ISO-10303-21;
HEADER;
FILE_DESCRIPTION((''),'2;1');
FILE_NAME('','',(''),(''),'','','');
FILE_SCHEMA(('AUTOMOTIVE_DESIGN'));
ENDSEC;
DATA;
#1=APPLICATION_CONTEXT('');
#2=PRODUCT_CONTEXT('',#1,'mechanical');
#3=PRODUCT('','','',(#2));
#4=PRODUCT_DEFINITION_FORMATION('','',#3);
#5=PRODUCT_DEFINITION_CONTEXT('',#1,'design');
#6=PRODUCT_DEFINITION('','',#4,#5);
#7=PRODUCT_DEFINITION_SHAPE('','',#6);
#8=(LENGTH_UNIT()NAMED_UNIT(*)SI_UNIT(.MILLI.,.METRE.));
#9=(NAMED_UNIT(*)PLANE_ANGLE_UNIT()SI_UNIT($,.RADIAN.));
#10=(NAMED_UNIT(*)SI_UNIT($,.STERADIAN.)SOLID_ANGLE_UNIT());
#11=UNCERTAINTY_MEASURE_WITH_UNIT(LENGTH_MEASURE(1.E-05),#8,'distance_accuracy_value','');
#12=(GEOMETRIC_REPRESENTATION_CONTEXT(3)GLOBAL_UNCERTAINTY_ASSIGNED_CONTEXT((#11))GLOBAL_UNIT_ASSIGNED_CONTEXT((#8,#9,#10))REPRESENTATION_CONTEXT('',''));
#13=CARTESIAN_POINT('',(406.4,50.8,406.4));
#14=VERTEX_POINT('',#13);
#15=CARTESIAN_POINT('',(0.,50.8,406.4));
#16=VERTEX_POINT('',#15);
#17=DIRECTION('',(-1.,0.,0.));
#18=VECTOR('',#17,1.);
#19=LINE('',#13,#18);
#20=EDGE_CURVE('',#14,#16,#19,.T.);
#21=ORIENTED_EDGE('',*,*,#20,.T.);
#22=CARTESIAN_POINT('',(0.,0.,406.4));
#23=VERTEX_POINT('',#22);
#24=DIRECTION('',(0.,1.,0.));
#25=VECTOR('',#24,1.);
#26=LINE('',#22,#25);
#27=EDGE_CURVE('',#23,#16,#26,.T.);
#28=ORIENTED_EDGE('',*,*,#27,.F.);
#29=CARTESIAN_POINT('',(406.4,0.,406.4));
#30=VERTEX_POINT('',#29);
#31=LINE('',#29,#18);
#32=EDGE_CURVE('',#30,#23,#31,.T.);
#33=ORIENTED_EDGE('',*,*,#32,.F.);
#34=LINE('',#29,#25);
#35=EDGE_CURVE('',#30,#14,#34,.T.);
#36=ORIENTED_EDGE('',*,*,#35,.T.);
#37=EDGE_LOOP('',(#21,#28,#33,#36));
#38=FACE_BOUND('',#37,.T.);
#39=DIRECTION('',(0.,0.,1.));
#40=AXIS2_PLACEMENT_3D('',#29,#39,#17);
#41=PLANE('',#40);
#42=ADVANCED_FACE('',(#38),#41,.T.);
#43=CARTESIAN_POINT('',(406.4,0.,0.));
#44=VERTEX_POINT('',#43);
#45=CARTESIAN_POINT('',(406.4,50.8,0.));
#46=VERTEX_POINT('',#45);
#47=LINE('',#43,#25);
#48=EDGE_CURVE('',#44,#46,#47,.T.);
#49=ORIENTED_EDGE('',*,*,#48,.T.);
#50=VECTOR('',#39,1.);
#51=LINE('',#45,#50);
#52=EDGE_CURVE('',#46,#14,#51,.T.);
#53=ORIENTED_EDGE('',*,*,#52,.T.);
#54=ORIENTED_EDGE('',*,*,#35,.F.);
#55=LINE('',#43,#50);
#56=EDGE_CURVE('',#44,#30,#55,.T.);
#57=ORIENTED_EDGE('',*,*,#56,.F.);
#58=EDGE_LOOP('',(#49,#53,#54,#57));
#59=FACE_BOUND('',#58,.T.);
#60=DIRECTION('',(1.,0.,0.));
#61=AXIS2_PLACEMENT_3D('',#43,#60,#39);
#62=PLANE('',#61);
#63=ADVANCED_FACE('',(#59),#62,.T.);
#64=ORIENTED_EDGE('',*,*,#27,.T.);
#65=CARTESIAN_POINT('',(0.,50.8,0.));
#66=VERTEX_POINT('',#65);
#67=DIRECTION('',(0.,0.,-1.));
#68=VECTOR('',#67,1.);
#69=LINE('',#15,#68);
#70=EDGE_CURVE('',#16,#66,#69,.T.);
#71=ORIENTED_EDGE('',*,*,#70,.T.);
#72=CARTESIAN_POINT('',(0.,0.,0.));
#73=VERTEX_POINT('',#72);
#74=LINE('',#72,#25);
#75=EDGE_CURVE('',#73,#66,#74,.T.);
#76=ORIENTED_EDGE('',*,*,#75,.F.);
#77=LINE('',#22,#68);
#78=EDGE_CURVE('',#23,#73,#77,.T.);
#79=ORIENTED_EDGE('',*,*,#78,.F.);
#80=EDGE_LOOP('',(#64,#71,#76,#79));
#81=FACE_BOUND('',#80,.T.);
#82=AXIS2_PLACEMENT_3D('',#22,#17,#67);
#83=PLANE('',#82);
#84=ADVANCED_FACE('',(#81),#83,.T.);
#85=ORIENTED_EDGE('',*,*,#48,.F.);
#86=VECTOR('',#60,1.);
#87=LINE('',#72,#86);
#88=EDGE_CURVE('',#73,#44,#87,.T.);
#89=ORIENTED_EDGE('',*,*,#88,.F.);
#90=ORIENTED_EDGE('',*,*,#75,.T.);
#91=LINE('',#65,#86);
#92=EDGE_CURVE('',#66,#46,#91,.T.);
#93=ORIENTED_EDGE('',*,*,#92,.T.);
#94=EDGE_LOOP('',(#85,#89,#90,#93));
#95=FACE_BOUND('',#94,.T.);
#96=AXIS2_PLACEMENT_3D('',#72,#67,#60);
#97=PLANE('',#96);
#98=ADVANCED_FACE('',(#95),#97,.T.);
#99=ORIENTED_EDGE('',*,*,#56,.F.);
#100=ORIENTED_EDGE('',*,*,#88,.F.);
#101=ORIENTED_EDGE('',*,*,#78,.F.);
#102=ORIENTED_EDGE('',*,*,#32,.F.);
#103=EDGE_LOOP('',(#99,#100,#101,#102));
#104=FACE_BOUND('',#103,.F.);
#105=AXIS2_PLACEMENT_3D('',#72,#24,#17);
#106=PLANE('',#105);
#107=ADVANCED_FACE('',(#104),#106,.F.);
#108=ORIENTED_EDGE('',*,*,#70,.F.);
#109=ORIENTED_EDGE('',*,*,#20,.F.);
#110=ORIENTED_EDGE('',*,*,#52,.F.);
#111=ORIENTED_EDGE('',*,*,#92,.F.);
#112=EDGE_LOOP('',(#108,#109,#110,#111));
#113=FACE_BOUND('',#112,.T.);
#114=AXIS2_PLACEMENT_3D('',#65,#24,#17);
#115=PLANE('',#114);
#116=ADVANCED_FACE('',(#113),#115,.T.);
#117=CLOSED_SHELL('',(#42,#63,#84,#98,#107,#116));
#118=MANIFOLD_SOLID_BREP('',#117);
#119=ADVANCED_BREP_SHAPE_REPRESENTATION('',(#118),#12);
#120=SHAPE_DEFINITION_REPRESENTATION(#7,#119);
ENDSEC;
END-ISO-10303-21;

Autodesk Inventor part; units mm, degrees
ref_plane "YZ Plane" through (0, 0, 0) normal (1, 0, 0) x (0, 1, 0)
ref_plane "XZ Plane" through (0, 0, 0) normal (0, 1, 0) x (-1, 0, 0)
ref_plane "XY Plane" through (0, 0, 0) normal (0, 0, 1) x (1, 0, 0)
sketch "Sketch1" plane through (0, 0, 0) normal (0, 1, 0) x (-1, 0, 0)
  line L0 (0, 0) -> (-406.4, 0)
  line L1 (-406.4, 0) -> (-406.4, 406.4)
  line L2 (-406.4, 406.4) -> (0, 406.4)
  line L3 (0, 406.4) -> (0, 0)
  dimension "d0" = 406.4
  dimension "d1" = 406.4
extrude "Extrusion1" add sketch "Sketch1" along normal blind 50.8
properties part number "16x16x2 - 53" material "Granite, Cut, Polished"
